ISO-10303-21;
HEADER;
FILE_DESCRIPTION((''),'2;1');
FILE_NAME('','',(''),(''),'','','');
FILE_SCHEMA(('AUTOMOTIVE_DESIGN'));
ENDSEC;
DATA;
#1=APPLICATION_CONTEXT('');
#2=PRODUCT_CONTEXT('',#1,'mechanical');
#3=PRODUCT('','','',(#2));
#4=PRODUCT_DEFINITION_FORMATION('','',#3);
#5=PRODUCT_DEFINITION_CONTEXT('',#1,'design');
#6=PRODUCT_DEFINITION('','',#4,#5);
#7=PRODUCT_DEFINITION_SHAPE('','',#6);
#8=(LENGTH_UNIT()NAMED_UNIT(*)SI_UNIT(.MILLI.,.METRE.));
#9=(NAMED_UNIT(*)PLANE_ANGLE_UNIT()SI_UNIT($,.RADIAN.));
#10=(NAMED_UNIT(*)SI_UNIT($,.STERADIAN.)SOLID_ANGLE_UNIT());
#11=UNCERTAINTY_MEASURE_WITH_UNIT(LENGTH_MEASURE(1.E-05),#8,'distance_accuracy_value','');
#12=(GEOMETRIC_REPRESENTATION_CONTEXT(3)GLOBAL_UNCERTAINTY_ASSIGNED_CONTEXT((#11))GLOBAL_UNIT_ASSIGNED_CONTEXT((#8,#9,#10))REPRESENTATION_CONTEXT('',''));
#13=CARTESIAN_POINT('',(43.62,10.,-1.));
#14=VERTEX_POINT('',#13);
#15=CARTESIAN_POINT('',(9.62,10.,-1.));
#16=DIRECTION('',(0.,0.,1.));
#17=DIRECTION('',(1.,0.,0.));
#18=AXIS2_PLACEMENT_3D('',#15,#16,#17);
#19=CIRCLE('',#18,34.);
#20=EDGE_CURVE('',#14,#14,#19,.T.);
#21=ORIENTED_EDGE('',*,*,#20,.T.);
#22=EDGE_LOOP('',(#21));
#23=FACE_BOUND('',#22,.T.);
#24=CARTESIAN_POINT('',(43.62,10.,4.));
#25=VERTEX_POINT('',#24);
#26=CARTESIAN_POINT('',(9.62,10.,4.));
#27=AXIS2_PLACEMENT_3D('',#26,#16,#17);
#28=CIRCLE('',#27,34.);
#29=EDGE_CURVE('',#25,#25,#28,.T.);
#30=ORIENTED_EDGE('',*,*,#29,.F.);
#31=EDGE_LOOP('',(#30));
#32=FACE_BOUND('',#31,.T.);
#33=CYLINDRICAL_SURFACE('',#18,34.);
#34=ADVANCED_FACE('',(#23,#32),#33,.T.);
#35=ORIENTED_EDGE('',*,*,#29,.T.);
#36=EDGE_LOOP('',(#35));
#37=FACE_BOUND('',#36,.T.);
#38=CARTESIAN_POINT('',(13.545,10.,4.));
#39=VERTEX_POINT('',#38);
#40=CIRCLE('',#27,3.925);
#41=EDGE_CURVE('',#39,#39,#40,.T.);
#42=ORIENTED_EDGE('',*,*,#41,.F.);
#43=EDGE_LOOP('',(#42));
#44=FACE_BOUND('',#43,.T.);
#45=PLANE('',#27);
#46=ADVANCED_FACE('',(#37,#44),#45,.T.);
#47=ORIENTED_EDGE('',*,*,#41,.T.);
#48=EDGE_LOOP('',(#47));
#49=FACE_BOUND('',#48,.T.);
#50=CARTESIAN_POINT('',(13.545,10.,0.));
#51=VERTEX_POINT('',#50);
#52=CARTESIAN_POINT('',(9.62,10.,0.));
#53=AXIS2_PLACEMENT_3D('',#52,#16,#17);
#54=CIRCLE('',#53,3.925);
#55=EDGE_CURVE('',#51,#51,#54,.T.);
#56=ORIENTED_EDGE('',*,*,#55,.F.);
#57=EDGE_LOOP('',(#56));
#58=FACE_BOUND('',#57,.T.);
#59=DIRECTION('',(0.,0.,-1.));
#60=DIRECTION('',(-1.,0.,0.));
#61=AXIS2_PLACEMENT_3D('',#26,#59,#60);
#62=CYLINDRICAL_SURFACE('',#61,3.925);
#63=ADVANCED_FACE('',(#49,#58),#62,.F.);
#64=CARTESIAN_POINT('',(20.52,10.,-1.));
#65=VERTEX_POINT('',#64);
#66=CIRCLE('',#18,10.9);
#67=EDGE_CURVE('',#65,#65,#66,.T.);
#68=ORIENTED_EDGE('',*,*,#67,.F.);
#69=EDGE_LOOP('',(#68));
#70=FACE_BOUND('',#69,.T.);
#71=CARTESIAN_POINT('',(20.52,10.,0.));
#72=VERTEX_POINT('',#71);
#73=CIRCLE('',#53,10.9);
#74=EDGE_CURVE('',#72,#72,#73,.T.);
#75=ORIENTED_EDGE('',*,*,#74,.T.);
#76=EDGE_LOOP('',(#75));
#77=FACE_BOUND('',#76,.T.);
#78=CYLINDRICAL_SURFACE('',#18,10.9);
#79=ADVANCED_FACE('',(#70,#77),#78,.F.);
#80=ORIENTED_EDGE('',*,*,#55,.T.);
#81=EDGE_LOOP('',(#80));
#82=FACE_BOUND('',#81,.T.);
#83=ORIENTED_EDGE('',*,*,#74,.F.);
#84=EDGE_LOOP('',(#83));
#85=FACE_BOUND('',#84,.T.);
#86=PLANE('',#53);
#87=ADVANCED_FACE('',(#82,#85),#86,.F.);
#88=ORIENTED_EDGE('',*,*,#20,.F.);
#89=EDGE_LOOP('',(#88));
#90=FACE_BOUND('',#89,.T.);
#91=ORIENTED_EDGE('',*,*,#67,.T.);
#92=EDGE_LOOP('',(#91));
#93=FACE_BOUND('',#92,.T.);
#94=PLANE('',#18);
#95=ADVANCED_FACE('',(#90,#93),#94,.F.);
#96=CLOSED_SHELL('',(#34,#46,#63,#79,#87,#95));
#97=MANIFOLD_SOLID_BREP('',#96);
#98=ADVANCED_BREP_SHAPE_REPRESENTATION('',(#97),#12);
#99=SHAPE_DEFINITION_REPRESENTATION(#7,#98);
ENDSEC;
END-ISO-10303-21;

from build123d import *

# Parameters (mm, degrees)
SKETCH3_R           = 34
SKETCH3_R_2         = 10.9
BOSS_EXTRUDE2_DEPTH = 1
SKETCH4_R           = 34
SKETCH4_R_2         = 3.925
BOSS_EXTRUDE3_DEPTH = 4


with BuildPart() as part:
    # Sketch3 → Boss-Extrude2 (new body)
    with BuildSketch(Plane.XY):
        with Locations((9.62, 10)):
            Circle(SKETCH3_R)
        with Locations((9.62, 10)):
            Circle(SKETCH3_R_2, mode=Mode.SUBTRACT)
    extrude(amount=-BOSS_EXTRUDE2_DEPTH)

    # Sketch4 → Boss-Extrude3 (add)
    with BuildSketch(Plane.XY):
        with Locations((9.62, 10)):
            Circle(SKETCH4_R)
        with Locations((9.62, 10)):
            Circle(SKETCH4_R_2, mode=Mode.SUBTRACT)
    extrude(amount=BOSS_EXTRUDE3_DEPTH)


solid = part.part
